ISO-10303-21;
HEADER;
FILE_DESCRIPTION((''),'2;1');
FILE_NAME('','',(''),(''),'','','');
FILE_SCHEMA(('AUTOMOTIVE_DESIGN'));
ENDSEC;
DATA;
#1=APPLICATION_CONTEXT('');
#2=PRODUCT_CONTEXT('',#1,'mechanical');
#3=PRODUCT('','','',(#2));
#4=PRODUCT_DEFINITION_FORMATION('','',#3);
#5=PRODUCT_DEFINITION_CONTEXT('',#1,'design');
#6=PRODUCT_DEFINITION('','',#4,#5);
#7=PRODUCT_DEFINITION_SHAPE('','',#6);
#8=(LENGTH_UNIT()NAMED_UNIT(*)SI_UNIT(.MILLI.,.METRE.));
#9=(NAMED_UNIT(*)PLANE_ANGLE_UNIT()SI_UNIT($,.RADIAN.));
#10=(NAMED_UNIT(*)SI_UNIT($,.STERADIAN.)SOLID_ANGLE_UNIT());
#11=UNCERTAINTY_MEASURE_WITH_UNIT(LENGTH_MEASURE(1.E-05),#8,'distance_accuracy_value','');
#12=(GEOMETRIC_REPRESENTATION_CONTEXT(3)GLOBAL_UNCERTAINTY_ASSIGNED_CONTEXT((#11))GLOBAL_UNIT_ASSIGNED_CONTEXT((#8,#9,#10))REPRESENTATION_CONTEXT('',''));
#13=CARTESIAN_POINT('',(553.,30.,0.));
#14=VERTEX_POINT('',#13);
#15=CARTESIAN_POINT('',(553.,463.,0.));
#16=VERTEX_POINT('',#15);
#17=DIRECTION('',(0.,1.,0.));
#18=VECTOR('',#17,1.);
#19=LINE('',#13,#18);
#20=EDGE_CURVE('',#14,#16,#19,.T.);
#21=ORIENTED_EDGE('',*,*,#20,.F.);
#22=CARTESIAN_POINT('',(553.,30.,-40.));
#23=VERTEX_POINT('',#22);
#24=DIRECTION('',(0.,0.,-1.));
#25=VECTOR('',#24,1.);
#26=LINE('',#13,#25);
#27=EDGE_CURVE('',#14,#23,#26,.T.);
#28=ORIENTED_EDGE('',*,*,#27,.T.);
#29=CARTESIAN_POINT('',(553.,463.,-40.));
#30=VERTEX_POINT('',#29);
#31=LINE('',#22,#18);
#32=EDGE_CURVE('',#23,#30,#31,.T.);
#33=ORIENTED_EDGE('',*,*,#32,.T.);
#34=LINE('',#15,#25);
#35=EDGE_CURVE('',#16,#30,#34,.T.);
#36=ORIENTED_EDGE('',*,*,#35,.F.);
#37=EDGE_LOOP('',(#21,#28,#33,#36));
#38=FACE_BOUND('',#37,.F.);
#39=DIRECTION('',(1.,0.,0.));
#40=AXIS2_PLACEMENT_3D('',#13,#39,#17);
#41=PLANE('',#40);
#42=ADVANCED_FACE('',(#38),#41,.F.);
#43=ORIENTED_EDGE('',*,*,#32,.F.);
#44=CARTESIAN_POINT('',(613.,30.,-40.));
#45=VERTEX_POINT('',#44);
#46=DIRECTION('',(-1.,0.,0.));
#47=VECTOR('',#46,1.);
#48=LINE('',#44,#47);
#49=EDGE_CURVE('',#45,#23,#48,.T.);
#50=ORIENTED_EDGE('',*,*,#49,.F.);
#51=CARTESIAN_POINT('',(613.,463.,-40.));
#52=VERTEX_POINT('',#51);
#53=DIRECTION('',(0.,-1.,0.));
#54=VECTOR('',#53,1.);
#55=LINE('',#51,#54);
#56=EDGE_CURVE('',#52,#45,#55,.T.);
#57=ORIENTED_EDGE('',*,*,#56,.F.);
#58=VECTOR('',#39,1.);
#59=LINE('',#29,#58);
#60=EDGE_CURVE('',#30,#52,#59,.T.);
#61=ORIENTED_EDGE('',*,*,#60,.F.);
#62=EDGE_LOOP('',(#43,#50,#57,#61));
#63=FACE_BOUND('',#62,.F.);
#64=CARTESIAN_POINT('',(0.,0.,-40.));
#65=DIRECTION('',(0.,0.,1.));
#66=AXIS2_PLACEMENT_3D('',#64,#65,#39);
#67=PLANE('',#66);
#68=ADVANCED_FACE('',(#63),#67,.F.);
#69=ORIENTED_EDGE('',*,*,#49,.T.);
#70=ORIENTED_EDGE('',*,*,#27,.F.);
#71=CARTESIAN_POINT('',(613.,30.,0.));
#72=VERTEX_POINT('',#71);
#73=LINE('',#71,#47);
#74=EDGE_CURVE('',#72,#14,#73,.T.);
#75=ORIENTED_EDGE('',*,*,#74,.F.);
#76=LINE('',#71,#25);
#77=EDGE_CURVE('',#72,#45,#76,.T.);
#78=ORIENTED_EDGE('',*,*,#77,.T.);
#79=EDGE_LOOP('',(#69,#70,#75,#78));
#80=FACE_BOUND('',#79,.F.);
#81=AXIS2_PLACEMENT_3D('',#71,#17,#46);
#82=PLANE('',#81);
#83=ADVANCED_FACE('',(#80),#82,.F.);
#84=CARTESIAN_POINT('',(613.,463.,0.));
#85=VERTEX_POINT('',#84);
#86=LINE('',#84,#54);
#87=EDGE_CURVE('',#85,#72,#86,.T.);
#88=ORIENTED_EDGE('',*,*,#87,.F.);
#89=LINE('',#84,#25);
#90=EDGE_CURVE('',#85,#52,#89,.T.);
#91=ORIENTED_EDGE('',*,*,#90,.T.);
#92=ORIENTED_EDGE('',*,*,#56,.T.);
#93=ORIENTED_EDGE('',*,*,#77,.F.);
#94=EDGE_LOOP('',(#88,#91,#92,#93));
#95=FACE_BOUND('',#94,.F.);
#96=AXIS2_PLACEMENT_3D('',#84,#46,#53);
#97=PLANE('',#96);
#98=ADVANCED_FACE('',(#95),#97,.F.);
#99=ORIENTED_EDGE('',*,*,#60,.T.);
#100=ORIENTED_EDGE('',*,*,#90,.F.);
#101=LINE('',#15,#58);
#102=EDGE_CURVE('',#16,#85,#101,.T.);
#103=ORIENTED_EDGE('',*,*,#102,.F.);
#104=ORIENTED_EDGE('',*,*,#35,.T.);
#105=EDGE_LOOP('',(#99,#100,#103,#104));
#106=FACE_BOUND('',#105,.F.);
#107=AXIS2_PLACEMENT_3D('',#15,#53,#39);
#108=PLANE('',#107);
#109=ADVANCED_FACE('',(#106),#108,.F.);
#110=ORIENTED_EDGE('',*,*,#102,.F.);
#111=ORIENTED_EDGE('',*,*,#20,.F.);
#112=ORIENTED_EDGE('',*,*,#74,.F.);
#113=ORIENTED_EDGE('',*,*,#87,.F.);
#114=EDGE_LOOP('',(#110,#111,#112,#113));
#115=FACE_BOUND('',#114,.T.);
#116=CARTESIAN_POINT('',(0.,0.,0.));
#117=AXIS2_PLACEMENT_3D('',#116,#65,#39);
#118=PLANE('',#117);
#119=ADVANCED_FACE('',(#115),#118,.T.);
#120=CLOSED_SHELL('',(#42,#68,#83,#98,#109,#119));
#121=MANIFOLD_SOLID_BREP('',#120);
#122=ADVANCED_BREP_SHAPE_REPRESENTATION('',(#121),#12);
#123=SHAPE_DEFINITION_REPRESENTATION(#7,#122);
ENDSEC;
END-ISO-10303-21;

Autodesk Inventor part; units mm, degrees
ref_plane "YZ Plane" through (0, 0, 0) normal (1, 0, 0) x (0, 1, 0)
ref_plane "XZ Plane" through (0, 0, 0) normal (0, 1, 0) x (-1, 0, 0)
ref_plane "XY Plane" through (0, 0, 0) normal (0, 0, 1) x (1, 0, 0)
sketch "Sketch1" plane through (0, 0, 0) normal (0, 0, 1) x (1, 0, 0)
  line L0 (613, 463) -> (613, 30)
  line L1 (613, 30) -> (553, 30)
  line L2 (553, 30) -> (553, 463)
  line L3 (553, 463) -> (613, 463)
  point P0 (0, 0)
  dimension "d0" = 60
extrude "Extrusion1" add sketch "Sketch1" against normal blind 40
properties part number "Tower" material "Wood"
